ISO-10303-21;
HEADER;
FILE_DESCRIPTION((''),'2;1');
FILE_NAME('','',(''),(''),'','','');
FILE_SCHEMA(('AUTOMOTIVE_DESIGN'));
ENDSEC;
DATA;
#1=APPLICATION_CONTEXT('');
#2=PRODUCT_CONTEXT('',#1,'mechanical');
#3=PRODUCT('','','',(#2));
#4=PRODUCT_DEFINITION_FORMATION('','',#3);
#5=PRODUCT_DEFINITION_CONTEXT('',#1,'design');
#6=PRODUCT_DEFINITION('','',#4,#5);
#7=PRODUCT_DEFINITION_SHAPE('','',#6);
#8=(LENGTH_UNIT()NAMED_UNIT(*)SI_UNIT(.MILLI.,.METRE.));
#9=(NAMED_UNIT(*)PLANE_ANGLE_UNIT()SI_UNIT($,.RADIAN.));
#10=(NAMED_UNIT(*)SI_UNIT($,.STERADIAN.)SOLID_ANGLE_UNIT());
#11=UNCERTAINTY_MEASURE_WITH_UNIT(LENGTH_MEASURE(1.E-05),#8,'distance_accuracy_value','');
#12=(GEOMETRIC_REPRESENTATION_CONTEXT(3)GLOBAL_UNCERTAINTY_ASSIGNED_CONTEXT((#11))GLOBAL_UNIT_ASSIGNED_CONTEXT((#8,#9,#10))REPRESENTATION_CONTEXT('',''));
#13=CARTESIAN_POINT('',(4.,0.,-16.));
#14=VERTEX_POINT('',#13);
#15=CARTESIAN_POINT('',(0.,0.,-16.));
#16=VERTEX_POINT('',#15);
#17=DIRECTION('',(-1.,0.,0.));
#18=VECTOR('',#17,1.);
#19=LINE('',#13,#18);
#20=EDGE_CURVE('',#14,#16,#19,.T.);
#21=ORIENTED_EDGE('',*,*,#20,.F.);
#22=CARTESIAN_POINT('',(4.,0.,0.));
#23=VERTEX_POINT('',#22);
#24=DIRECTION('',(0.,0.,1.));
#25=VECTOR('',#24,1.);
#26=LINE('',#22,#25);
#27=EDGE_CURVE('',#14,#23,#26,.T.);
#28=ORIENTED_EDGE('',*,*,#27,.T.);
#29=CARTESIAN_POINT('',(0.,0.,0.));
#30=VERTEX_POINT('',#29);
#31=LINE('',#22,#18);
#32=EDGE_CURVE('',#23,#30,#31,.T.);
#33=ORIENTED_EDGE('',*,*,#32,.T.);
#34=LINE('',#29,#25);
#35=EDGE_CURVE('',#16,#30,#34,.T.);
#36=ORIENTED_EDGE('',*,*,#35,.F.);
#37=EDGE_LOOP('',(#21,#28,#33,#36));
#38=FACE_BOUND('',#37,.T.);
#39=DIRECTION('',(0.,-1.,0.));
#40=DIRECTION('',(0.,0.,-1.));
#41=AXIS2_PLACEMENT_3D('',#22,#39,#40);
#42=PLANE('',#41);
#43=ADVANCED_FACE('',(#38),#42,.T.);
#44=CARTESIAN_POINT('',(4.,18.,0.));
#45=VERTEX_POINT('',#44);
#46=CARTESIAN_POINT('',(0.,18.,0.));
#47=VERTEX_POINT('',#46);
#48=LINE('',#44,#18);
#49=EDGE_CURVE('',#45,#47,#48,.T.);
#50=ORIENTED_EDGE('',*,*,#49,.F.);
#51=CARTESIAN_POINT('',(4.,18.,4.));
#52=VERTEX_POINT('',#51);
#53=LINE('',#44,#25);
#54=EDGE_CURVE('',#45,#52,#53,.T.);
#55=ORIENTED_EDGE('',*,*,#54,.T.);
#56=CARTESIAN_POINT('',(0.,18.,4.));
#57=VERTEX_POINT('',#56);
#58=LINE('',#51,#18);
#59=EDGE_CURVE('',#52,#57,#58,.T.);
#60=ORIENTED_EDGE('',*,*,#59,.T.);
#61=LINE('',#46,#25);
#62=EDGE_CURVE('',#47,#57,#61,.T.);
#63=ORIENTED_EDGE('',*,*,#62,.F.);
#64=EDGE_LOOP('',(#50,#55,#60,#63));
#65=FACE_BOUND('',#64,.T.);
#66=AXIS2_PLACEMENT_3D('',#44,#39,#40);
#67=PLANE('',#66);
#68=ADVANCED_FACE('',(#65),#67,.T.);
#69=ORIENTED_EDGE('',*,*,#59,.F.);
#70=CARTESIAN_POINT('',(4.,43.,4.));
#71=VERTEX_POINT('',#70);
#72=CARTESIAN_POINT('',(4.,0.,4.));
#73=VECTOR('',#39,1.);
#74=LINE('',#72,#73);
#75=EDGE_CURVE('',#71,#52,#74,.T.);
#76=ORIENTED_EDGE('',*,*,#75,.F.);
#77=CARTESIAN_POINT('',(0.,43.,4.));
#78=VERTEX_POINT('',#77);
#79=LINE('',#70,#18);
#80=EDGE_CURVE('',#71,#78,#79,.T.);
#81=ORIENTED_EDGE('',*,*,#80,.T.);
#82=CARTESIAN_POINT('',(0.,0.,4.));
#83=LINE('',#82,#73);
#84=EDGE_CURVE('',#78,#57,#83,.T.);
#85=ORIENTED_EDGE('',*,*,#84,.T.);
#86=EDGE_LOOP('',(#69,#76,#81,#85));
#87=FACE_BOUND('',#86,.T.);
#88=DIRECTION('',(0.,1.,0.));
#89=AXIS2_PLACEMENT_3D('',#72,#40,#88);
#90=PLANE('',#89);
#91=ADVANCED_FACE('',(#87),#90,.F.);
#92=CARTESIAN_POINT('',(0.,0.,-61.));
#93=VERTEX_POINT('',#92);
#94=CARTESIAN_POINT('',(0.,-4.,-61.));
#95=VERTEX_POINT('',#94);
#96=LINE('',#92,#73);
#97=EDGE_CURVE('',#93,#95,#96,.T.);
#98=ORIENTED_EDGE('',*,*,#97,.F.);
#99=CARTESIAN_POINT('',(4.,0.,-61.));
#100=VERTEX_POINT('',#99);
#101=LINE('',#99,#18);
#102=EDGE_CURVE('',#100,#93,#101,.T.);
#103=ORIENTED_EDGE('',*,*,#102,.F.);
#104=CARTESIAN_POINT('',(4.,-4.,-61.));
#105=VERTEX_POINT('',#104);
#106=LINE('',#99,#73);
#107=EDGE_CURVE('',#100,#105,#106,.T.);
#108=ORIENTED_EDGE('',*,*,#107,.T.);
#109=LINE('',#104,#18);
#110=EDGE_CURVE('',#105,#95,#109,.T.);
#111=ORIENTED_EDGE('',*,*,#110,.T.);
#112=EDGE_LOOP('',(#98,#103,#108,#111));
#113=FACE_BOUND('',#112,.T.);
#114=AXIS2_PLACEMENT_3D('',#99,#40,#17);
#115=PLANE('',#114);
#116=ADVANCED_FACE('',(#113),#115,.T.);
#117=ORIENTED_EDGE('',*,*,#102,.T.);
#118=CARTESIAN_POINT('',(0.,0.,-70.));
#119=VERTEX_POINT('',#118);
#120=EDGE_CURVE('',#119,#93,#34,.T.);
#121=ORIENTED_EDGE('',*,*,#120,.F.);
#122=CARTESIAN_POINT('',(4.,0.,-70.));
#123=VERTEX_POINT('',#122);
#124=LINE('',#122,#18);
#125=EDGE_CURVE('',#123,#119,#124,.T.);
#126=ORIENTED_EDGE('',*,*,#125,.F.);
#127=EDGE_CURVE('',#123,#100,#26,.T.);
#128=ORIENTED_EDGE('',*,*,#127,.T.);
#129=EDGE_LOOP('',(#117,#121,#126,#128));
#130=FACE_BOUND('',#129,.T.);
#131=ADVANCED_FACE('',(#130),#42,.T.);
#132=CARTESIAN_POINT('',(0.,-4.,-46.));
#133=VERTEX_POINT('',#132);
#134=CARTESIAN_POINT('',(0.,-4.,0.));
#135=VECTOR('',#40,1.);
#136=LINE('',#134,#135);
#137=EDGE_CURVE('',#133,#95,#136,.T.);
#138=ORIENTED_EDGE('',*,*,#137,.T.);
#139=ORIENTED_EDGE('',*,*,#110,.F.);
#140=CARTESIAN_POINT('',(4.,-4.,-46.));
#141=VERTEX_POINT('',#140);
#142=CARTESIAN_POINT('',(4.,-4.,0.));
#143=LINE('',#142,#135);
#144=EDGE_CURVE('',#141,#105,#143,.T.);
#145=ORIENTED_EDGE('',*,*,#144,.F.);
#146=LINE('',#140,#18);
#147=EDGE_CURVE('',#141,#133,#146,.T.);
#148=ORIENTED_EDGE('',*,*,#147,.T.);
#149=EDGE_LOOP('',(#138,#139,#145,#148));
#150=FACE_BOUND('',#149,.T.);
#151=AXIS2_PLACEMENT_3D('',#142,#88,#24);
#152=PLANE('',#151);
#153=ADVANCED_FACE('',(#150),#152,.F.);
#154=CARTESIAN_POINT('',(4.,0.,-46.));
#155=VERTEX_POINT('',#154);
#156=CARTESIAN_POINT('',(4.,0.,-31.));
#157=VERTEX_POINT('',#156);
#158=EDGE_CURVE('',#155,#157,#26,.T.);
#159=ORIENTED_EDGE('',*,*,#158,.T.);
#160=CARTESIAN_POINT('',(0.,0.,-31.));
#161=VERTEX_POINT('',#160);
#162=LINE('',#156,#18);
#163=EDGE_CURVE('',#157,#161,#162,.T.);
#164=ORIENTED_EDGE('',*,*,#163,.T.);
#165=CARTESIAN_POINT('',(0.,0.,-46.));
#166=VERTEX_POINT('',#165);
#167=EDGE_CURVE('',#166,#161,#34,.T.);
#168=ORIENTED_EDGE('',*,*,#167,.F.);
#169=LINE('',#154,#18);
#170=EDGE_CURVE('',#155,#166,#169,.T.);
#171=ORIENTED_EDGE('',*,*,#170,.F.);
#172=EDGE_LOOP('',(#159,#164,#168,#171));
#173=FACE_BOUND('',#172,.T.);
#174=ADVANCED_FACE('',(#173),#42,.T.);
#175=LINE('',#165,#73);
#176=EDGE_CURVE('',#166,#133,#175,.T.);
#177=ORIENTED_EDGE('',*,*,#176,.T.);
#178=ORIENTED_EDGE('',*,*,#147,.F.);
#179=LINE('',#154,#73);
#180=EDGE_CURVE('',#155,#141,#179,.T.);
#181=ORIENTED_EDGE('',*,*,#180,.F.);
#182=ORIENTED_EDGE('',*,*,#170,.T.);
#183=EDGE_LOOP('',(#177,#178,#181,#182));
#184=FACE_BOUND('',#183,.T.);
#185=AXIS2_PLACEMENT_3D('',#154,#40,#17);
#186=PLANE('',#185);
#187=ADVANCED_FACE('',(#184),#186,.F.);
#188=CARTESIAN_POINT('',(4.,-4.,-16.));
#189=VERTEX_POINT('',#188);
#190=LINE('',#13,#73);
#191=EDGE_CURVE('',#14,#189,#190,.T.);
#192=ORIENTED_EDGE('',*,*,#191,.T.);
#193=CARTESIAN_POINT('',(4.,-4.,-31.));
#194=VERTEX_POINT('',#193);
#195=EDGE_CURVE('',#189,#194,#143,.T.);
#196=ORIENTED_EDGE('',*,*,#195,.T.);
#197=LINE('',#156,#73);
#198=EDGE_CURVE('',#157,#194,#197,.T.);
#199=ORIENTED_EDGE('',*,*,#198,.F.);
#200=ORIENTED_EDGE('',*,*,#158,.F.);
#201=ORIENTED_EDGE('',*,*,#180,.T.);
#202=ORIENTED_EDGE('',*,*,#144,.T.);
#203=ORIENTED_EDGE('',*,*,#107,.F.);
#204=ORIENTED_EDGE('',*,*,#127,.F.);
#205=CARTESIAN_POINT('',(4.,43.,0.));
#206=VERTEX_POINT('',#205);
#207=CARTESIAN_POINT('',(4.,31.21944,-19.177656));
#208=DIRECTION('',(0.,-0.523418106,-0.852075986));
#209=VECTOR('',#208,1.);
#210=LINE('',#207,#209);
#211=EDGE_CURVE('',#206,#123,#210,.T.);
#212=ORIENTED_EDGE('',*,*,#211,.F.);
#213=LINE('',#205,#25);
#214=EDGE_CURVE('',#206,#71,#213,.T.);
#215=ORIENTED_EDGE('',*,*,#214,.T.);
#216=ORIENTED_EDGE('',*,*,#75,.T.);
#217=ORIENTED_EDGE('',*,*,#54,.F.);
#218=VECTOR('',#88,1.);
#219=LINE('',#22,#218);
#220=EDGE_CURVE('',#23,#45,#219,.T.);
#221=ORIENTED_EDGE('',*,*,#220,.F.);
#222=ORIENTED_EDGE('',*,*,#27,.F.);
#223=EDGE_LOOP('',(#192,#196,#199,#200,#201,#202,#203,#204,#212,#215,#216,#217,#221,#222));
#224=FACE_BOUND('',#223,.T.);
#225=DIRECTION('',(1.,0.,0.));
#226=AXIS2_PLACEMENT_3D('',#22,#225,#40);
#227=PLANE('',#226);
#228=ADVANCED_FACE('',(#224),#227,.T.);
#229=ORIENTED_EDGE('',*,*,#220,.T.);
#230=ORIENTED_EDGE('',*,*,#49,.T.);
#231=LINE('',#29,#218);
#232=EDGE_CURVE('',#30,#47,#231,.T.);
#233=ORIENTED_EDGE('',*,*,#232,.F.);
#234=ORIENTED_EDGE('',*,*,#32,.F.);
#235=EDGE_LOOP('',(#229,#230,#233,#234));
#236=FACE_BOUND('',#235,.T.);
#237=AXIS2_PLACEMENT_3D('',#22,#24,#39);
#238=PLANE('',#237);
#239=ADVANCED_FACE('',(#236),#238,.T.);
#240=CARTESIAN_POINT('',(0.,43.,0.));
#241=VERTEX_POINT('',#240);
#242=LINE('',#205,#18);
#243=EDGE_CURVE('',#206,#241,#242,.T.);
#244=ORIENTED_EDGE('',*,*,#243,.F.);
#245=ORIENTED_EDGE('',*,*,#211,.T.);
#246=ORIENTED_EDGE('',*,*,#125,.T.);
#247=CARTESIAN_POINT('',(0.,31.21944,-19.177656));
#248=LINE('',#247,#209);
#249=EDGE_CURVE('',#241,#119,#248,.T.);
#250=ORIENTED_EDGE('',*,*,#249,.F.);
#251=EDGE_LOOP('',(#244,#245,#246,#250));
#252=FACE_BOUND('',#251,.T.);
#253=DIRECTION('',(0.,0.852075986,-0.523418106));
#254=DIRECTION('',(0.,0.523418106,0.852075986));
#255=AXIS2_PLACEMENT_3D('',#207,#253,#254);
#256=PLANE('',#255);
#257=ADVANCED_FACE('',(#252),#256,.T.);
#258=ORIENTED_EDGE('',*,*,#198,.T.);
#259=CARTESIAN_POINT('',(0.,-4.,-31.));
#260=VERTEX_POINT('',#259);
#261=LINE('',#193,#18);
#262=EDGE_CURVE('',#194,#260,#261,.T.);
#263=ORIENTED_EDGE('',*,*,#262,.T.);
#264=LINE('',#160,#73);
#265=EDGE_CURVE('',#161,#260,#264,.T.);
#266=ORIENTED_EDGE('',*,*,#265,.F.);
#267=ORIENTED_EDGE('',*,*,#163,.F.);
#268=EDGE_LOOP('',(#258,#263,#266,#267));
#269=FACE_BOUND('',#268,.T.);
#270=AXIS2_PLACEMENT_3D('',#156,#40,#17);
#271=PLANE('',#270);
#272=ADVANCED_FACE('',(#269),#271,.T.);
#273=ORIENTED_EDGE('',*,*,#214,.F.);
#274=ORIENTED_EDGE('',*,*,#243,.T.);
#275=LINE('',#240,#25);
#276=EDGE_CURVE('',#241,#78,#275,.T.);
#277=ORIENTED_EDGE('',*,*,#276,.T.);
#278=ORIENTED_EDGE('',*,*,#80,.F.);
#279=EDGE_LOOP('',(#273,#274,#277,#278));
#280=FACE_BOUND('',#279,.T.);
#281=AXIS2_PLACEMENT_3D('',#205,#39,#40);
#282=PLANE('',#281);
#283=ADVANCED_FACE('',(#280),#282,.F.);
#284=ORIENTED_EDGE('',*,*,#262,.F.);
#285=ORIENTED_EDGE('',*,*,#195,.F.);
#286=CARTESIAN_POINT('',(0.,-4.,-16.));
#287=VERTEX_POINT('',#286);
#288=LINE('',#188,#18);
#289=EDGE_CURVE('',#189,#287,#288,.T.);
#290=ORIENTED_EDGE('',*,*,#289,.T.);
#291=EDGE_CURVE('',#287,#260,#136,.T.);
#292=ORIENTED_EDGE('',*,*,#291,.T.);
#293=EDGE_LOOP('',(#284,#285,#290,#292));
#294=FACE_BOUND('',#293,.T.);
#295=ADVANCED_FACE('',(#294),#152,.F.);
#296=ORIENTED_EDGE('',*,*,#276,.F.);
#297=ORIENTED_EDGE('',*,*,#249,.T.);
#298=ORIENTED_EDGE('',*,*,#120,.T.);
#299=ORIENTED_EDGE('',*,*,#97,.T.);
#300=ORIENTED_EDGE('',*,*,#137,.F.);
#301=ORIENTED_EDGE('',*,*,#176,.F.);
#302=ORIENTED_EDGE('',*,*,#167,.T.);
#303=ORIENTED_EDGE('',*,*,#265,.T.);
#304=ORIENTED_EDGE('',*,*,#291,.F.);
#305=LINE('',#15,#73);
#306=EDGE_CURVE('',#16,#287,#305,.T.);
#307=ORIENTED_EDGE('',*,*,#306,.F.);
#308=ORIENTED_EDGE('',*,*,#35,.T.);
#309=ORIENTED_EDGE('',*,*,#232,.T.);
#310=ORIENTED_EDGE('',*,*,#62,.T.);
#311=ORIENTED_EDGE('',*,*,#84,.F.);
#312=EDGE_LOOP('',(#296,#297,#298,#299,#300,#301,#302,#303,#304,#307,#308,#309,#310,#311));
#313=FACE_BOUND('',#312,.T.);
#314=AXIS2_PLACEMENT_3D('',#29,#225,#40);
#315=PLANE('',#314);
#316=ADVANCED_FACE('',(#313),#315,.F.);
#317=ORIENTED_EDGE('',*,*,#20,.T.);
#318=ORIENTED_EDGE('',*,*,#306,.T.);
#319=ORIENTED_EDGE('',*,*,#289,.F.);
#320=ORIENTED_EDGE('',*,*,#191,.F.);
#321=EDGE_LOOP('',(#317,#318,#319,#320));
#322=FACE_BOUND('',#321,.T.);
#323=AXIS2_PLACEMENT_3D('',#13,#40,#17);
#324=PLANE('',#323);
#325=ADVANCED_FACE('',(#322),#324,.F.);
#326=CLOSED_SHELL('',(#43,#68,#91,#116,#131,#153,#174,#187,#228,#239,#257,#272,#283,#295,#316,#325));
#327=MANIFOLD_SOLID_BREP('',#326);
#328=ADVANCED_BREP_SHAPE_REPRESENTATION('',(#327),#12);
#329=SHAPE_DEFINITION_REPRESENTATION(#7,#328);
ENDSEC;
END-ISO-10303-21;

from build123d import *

# Parameters (mm, degrees)
SKETCH1_W           = 15
SKETCH1_H           = 4
SKETCH1_W_2         = 4
SKETCH1_H_2         = 25
BOSS_EXTRUDE1_DEPTH = 4


with BuildPart() as part:
    # Sketch1 → Boss-Extrude1 (new body)
    with BuildSketch(Plane(origin=(0, 0, 0), x_dir=(0, 0, -1), z_dir=(1, 0, 0))):
        Polygon((70, 0), (0, 0), (0, 43), align=None)
        with Locations((53.5, -2)):
            Rectangle(SKETCH1_W, SKETCH1_H)
        with Locations((23.5, -2)):
            Rectangle(SKETCH1_W, SKETCH1_H)
        with Locations((-2, 30.5)):
            Rectangle(SKETCH1_W_2, SKETCH1_H_2)
    extrude(amount=BOSS_EXTRUDE1_DEPTH)


solid = part.part
